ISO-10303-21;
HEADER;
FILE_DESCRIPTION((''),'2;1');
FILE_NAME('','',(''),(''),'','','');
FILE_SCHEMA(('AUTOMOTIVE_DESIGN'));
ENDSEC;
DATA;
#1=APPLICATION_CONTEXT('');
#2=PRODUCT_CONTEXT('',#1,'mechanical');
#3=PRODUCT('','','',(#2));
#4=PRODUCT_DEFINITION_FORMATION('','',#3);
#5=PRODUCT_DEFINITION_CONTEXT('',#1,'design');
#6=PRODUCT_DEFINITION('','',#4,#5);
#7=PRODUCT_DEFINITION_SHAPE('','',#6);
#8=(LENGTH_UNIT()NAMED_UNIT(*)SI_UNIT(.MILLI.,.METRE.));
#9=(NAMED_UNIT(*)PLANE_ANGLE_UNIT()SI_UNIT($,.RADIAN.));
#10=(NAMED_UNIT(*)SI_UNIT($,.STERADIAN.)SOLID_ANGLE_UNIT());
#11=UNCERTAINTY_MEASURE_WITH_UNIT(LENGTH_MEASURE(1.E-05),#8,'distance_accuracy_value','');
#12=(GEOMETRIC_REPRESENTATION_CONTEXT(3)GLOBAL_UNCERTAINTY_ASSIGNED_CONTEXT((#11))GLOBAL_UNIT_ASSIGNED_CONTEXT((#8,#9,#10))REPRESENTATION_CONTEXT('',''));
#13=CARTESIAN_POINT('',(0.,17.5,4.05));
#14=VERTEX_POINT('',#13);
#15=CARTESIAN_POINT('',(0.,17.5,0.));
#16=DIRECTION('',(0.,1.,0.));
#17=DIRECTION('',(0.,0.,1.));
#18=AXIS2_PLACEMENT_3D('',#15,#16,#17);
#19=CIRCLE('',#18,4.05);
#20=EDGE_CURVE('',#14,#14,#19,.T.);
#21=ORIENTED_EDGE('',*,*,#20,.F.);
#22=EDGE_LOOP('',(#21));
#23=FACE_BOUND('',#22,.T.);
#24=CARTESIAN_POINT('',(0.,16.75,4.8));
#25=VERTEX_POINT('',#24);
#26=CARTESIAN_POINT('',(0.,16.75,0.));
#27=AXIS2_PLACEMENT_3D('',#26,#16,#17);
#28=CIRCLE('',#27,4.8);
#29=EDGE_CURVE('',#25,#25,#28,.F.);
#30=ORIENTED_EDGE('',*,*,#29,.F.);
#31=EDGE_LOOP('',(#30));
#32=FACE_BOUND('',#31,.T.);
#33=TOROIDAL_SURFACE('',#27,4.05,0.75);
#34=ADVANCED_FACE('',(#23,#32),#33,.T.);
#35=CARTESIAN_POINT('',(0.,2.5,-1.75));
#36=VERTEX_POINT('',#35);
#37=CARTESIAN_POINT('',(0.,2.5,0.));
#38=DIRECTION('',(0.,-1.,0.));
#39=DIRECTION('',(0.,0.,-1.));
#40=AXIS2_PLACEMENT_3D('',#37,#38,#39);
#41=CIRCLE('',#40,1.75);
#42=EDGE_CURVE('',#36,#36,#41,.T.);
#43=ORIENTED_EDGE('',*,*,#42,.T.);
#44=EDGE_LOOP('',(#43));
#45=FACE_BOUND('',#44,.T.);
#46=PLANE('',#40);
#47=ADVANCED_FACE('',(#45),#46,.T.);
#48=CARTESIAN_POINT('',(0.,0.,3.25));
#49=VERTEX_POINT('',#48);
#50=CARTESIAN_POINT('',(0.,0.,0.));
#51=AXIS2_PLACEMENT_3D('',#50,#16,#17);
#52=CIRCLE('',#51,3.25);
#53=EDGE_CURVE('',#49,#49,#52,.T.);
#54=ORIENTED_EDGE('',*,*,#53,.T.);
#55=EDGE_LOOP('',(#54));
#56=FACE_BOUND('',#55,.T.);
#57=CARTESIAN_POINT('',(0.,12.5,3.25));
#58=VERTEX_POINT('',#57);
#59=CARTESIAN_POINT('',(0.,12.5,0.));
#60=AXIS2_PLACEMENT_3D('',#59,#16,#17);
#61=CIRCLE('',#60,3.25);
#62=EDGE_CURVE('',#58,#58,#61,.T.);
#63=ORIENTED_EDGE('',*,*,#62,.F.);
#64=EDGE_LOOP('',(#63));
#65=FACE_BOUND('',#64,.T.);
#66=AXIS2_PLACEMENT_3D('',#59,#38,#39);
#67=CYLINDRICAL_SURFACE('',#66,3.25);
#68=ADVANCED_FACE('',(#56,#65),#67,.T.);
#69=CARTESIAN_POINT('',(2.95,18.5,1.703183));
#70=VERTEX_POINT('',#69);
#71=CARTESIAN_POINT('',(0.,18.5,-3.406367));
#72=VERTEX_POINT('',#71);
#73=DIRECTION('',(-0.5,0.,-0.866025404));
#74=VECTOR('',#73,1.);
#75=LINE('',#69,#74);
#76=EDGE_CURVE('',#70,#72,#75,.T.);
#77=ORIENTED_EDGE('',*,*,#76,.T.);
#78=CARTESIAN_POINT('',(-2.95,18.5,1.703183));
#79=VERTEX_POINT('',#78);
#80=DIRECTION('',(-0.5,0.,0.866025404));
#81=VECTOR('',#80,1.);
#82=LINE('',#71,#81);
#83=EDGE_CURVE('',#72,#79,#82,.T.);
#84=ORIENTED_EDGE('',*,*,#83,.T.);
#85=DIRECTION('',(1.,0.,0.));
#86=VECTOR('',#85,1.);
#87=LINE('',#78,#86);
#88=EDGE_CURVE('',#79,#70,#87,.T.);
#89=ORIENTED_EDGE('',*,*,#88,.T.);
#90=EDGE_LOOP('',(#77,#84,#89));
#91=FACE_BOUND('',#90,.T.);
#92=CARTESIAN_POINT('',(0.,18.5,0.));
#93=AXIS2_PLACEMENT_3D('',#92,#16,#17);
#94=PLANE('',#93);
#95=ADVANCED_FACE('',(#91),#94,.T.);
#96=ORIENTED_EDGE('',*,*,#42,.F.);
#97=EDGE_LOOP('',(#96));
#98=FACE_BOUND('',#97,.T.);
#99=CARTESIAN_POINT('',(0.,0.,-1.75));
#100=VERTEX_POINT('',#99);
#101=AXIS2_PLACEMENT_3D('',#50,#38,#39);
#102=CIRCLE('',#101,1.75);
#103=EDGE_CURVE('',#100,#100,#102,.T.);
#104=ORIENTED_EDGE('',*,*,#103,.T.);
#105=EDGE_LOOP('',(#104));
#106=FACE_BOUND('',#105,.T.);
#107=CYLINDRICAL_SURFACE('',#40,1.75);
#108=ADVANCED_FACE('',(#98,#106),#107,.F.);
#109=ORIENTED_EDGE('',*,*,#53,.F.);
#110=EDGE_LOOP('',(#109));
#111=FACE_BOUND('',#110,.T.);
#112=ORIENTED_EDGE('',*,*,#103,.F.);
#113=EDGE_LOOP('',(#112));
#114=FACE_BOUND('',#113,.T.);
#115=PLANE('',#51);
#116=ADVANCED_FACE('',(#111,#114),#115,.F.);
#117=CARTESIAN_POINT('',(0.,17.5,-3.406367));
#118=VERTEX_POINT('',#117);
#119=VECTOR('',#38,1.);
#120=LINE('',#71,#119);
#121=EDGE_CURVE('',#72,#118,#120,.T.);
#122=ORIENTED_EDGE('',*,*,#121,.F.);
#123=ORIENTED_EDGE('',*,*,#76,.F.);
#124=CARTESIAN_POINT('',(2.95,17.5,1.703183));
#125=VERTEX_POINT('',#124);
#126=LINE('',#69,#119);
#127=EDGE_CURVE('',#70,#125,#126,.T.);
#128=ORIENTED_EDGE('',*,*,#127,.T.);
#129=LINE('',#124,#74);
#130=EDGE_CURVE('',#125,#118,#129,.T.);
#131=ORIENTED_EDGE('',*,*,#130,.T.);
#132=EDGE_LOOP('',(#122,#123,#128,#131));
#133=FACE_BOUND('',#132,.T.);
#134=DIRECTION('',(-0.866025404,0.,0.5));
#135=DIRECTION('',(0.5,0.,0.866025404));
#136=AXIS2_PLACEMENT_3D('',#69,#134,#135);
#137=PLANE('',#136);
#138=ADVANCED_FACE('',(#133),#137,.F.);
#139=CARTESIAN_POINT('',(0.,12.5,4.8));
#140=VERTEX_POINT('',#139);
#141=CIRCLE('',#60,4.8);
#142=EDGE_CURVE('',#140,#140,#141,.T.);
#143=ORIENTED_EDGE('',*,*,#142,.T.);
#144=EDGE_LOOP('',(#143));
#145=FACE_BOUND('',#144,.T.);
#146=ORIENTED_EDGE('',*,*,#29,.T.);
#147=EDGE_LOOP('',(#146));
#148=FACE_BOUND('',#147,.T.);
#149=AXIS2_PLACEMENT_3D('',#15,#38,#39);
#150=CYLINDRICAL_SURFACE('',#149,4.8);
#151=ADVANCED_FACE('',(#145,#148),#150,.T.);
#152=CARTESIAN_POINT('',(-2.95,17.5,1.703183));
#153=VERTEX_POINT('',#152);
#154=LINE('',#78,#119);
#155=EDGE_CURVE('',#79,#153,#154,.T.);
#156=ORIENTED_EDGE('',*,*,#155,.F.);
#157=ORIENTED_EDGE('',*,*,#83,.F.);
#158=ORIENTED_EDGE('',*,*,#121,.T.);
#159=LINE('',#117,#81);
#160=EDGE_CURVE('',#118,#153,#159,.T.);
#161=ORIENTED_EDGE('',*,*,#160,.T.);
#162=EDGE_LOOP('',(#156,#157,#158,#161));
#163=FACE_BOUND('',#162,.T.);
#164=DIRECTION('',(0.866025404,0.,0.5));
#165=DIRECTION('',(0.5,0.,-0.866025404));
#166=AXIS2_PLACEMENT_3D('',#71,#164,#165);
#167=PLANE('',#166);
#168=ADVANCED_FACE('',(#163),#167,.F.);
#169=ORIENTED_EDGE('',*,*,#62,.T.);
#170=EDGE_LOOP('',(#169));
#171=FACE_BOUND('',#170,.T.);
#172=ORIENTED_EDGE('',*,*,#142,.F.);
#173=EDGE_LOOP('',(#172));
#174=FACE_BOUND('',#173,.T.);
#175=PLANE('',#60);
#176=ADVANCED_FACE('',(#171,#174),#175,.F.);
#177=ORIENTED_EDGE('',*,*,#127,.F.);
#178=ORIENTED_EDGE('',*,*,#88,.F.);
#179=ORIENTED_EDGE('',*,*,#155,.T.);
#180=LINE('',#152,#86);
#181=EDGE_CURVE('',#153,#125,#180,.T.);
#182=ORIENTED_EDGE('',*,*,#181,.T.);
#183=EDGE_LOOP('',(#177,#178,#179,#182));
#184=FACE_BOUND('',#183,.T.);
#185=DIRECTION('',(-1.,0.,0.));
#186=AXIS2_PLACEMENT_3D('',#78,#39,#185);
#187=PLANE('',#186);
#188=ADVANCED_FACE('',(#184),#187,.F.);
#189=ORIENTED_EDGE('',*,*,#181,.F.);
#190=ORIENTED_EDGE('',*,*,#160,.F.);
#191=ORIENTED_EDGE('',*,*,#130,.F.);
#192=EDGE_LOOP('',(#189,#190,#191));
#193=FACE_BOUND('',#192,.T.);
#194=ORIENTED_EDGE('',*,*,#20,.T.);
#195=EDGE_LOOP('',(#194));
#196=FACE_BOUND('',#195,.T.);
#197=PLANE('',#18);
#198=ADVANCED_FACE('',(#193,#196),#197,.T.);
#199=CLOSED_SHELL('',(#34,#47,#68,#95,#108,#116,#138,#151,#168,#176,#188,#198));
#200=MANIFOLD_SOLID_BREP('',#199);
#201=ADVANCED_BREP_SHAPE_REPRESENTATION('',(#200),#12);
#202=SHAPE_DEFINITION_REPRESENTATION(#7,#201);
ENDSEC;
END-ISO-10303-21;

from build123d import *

# Parameters (mm, degrees)
SKETCH1_R           = 3.25
BOSS_EXTRUDE1_DEPTH = 12.5
SKETCH2_R           = 1.75
CUT_EXTRUDE1_DEPTH  = 2.5
SKETCH6_R           = 4.8
BOSS_EXTRUDE2_DEPTH = 5
BOSS_EXTRUDE5_DEPTH = 1
FILLET1_R           = 0.75


with BuildPart() as part:
    # Sketch1 → Boss-Extrude1 (new body)
    with BuildSketch(Plane(origin=(0, 0, 0), x_dir=(1, 0, 0), z_dir=(0, 1, 0))):
        Circle(SKETCH1_R)
    extrude(amount=BOSS_EXTRUDE1_DEPTH)

    # Sketch2 → Cut-Extrude1 (cut)
    with BuildSketch(Plane.XZ):
        Circle(SKETCH2_R)
    extrude(amount=-CUT_EXTRUDE1_DEPTH, mode=Mode.SUBTRACT)

    # Sketch6 → Boss-Extrude2 (add)
    with BuildSketch(Plane(origin=(0, 12.5, 0), x_dir=(1, 0, 0), z_dir=(0, 1, 0))):
        Circle(SKETCH6_R)
    extrude(amount=BOSS_EXTRUDE2_DEPTH)

    # Sketch7 → Boss-Extrude5 (add)
    with BuildSketch(Plane(origin=(0, 17.5, 0), x_dir=(1, 0, 0), z_dir=(0, 1, 0))):
        Polygon((2.95, -1.703183294), (0, 3.406366588), (-2.95, -1.703183294), align=None)
    extrude(amount=BOSS_EXTRUDE5_DEPTH)

    # Fillet1
    fillet1_edges = [part.edges().sort_by_distance(p)[0] for p in [
        (-4.8, 17.5, 0),
    ]]
    fillet(fillet1_edges, radius=FILLET1_R)


solid = part.part
